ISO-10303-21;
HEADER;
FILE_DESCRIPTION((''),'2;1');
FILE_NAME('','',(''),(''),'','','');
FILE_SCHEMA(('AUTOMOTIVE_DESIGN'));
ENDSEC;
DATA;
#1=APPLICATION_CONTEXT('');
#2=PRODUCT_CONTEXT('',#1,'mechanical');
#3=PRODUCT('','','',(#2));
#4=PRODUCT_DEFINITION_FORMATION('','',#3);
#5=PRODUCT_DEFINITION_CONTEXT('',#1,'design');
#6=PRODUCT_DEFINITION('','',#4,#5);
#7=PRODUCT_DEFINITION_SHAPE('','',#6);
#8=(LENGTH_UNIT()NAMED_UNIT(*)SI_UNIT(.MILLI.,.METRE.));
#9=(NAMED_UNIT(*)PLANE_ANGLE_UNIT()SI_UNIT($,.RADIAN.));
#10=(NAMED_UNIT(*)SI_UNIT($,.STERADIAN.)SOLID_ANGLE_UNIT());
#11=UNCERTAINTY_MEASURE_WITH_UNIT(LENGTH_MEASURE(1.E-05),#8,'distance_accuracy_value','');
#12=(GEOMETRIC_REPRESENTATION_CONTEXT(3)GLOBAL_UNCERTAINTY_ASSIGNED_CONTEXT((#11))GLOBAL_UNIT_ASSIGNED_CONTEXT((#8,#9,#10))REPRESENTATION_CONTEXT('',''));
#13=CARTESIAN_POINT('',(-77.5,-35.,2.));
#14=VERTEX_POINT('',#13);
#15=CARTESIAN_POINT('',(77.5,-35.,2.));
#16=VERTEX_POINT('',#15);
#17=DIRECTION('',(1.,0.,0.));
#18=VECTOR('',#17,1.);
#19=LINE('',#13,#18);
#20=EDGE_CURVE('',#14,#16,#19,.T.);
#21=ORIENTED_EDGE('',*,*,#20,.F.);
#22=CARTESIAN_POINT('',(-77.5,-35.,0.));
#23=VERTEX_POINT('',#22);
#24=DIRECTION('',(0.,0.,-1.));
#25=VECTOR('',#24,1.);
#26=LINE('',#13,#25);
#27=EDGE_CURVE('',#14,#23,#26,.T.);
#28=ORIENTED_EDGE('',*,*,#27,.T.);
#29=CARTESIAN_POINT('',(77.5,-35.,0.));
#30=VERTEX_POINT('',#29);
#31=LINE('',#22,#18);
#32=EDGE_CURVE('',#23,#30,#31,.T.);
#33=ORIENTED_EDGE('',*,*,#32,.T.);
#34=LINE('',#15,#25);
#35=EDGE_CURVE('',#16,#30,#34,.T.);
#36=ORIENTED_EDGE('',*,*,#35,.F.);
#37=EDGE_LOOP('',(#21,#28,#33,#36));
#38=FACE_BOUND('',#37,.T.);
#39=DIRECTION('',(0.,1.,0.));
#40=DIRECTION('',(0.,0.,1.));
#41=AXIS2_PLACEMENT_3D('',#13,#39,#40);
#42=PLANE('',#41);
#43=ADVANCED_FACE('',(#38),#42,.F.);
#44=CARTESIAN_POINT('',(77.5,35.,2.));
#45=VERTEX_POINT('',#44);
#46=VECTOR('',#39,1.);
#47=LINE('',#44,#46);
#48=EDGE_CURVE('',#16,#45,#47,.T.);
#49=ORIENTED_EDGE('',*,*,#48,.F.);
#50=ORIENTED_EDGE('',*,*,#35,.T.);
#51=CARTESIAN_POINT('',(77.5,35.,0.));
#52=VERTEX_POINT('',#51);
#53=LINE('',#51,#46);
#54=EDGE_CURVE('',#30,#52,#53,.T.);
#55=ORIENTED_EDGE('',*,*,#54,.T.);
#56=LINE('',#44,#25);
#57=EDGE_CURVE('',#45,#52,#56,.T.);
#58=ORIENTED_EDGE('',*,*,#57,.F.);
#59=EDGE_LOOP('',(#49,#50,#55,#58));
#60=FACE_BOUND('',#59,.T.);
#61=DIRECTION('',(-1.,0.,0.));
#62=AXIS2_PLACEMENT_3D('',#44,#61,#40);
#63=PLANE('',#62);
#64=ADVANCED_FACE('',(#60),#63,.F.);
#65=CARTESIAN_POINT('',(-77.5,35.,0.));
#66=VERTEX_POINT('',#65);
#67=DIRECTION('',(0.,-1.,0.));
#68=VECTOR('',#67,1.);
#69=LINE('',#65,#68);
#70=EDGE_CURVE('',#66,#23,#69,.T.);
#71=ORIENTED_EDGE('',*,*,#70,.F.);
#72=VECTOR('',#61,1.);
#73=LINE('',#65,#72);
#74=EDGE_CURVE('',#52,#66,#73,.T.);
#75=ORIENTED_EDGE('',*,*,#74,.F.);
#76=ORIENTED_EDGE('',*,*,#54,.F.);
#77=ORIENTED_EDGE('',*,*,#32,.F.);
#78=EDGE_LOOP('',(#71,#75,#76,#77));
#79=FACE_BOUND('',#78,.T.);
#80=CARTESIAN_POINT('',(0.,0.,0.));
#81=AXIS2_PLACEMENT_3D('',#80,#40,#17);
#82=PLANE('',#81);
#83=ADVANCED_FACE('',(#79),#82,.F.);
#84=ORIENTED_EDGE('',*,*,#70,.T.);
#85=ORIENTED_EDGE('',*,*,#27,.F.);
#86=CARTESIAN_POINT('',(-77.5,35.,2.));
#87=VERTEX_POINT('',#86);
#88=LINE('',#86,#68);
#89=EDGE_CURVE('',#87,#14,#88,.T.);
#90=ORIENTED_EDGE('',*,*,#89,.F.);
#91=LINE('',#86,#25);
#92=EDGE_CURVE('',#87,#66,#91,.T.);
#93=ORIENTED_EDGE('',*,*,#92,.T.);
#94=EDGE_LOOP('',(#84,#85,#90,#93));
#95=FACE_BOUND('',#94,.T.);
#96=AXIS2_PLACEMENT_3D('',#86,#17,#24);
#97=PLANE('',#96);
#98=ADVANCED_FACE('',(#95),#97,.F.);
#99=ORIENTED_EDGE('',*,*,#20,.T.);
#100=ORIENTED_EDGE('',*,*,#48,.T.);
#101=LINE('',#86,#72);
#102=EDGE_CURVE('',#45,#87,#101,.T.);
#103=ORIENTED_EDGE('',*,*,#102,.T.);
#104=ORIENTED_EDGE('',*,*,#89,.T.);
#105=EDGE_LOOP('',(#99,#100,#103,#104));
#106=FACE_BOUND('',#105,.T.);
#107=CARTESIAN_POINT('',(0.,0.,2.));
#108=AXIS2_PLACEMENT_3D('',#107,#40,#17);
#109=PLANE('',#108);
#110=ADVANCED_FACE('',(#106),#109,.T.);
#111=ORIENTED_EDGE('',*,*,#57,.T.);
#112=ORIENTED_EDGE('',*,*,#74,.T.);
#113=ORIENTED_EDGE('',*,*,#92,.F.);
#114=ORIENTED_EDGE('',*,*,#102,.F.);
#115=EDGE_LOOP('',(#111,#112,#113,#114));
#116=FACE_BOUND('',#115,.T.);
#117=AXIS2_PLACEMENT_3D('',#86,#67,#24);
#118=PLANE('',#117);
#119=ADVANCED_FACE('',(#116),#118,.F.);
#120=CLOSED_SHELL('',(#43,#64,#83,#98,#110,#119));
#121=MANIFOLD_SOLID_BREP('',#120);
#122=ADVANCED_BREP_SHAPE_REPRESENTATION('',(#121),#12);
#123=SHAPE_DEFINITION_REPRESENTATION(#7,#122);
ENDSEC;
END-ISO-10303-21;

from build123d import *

# Parameters (mm, degrees)
SKETCH2_W           = 155
SKETCH2_H           = 70
BOSS_EXTRUDE1_DEPTH = 2


with BuildPart() as part:
    # Sketch2 → Boss-Extrude1 (new body)
    with BuildSketch(Plane.XY):
        Rectangle(SKETCH2_W, SKETCH2_H)
    extrude(amount=BOSS_EXTRUDE1_DEPTH)


solid = part.part
